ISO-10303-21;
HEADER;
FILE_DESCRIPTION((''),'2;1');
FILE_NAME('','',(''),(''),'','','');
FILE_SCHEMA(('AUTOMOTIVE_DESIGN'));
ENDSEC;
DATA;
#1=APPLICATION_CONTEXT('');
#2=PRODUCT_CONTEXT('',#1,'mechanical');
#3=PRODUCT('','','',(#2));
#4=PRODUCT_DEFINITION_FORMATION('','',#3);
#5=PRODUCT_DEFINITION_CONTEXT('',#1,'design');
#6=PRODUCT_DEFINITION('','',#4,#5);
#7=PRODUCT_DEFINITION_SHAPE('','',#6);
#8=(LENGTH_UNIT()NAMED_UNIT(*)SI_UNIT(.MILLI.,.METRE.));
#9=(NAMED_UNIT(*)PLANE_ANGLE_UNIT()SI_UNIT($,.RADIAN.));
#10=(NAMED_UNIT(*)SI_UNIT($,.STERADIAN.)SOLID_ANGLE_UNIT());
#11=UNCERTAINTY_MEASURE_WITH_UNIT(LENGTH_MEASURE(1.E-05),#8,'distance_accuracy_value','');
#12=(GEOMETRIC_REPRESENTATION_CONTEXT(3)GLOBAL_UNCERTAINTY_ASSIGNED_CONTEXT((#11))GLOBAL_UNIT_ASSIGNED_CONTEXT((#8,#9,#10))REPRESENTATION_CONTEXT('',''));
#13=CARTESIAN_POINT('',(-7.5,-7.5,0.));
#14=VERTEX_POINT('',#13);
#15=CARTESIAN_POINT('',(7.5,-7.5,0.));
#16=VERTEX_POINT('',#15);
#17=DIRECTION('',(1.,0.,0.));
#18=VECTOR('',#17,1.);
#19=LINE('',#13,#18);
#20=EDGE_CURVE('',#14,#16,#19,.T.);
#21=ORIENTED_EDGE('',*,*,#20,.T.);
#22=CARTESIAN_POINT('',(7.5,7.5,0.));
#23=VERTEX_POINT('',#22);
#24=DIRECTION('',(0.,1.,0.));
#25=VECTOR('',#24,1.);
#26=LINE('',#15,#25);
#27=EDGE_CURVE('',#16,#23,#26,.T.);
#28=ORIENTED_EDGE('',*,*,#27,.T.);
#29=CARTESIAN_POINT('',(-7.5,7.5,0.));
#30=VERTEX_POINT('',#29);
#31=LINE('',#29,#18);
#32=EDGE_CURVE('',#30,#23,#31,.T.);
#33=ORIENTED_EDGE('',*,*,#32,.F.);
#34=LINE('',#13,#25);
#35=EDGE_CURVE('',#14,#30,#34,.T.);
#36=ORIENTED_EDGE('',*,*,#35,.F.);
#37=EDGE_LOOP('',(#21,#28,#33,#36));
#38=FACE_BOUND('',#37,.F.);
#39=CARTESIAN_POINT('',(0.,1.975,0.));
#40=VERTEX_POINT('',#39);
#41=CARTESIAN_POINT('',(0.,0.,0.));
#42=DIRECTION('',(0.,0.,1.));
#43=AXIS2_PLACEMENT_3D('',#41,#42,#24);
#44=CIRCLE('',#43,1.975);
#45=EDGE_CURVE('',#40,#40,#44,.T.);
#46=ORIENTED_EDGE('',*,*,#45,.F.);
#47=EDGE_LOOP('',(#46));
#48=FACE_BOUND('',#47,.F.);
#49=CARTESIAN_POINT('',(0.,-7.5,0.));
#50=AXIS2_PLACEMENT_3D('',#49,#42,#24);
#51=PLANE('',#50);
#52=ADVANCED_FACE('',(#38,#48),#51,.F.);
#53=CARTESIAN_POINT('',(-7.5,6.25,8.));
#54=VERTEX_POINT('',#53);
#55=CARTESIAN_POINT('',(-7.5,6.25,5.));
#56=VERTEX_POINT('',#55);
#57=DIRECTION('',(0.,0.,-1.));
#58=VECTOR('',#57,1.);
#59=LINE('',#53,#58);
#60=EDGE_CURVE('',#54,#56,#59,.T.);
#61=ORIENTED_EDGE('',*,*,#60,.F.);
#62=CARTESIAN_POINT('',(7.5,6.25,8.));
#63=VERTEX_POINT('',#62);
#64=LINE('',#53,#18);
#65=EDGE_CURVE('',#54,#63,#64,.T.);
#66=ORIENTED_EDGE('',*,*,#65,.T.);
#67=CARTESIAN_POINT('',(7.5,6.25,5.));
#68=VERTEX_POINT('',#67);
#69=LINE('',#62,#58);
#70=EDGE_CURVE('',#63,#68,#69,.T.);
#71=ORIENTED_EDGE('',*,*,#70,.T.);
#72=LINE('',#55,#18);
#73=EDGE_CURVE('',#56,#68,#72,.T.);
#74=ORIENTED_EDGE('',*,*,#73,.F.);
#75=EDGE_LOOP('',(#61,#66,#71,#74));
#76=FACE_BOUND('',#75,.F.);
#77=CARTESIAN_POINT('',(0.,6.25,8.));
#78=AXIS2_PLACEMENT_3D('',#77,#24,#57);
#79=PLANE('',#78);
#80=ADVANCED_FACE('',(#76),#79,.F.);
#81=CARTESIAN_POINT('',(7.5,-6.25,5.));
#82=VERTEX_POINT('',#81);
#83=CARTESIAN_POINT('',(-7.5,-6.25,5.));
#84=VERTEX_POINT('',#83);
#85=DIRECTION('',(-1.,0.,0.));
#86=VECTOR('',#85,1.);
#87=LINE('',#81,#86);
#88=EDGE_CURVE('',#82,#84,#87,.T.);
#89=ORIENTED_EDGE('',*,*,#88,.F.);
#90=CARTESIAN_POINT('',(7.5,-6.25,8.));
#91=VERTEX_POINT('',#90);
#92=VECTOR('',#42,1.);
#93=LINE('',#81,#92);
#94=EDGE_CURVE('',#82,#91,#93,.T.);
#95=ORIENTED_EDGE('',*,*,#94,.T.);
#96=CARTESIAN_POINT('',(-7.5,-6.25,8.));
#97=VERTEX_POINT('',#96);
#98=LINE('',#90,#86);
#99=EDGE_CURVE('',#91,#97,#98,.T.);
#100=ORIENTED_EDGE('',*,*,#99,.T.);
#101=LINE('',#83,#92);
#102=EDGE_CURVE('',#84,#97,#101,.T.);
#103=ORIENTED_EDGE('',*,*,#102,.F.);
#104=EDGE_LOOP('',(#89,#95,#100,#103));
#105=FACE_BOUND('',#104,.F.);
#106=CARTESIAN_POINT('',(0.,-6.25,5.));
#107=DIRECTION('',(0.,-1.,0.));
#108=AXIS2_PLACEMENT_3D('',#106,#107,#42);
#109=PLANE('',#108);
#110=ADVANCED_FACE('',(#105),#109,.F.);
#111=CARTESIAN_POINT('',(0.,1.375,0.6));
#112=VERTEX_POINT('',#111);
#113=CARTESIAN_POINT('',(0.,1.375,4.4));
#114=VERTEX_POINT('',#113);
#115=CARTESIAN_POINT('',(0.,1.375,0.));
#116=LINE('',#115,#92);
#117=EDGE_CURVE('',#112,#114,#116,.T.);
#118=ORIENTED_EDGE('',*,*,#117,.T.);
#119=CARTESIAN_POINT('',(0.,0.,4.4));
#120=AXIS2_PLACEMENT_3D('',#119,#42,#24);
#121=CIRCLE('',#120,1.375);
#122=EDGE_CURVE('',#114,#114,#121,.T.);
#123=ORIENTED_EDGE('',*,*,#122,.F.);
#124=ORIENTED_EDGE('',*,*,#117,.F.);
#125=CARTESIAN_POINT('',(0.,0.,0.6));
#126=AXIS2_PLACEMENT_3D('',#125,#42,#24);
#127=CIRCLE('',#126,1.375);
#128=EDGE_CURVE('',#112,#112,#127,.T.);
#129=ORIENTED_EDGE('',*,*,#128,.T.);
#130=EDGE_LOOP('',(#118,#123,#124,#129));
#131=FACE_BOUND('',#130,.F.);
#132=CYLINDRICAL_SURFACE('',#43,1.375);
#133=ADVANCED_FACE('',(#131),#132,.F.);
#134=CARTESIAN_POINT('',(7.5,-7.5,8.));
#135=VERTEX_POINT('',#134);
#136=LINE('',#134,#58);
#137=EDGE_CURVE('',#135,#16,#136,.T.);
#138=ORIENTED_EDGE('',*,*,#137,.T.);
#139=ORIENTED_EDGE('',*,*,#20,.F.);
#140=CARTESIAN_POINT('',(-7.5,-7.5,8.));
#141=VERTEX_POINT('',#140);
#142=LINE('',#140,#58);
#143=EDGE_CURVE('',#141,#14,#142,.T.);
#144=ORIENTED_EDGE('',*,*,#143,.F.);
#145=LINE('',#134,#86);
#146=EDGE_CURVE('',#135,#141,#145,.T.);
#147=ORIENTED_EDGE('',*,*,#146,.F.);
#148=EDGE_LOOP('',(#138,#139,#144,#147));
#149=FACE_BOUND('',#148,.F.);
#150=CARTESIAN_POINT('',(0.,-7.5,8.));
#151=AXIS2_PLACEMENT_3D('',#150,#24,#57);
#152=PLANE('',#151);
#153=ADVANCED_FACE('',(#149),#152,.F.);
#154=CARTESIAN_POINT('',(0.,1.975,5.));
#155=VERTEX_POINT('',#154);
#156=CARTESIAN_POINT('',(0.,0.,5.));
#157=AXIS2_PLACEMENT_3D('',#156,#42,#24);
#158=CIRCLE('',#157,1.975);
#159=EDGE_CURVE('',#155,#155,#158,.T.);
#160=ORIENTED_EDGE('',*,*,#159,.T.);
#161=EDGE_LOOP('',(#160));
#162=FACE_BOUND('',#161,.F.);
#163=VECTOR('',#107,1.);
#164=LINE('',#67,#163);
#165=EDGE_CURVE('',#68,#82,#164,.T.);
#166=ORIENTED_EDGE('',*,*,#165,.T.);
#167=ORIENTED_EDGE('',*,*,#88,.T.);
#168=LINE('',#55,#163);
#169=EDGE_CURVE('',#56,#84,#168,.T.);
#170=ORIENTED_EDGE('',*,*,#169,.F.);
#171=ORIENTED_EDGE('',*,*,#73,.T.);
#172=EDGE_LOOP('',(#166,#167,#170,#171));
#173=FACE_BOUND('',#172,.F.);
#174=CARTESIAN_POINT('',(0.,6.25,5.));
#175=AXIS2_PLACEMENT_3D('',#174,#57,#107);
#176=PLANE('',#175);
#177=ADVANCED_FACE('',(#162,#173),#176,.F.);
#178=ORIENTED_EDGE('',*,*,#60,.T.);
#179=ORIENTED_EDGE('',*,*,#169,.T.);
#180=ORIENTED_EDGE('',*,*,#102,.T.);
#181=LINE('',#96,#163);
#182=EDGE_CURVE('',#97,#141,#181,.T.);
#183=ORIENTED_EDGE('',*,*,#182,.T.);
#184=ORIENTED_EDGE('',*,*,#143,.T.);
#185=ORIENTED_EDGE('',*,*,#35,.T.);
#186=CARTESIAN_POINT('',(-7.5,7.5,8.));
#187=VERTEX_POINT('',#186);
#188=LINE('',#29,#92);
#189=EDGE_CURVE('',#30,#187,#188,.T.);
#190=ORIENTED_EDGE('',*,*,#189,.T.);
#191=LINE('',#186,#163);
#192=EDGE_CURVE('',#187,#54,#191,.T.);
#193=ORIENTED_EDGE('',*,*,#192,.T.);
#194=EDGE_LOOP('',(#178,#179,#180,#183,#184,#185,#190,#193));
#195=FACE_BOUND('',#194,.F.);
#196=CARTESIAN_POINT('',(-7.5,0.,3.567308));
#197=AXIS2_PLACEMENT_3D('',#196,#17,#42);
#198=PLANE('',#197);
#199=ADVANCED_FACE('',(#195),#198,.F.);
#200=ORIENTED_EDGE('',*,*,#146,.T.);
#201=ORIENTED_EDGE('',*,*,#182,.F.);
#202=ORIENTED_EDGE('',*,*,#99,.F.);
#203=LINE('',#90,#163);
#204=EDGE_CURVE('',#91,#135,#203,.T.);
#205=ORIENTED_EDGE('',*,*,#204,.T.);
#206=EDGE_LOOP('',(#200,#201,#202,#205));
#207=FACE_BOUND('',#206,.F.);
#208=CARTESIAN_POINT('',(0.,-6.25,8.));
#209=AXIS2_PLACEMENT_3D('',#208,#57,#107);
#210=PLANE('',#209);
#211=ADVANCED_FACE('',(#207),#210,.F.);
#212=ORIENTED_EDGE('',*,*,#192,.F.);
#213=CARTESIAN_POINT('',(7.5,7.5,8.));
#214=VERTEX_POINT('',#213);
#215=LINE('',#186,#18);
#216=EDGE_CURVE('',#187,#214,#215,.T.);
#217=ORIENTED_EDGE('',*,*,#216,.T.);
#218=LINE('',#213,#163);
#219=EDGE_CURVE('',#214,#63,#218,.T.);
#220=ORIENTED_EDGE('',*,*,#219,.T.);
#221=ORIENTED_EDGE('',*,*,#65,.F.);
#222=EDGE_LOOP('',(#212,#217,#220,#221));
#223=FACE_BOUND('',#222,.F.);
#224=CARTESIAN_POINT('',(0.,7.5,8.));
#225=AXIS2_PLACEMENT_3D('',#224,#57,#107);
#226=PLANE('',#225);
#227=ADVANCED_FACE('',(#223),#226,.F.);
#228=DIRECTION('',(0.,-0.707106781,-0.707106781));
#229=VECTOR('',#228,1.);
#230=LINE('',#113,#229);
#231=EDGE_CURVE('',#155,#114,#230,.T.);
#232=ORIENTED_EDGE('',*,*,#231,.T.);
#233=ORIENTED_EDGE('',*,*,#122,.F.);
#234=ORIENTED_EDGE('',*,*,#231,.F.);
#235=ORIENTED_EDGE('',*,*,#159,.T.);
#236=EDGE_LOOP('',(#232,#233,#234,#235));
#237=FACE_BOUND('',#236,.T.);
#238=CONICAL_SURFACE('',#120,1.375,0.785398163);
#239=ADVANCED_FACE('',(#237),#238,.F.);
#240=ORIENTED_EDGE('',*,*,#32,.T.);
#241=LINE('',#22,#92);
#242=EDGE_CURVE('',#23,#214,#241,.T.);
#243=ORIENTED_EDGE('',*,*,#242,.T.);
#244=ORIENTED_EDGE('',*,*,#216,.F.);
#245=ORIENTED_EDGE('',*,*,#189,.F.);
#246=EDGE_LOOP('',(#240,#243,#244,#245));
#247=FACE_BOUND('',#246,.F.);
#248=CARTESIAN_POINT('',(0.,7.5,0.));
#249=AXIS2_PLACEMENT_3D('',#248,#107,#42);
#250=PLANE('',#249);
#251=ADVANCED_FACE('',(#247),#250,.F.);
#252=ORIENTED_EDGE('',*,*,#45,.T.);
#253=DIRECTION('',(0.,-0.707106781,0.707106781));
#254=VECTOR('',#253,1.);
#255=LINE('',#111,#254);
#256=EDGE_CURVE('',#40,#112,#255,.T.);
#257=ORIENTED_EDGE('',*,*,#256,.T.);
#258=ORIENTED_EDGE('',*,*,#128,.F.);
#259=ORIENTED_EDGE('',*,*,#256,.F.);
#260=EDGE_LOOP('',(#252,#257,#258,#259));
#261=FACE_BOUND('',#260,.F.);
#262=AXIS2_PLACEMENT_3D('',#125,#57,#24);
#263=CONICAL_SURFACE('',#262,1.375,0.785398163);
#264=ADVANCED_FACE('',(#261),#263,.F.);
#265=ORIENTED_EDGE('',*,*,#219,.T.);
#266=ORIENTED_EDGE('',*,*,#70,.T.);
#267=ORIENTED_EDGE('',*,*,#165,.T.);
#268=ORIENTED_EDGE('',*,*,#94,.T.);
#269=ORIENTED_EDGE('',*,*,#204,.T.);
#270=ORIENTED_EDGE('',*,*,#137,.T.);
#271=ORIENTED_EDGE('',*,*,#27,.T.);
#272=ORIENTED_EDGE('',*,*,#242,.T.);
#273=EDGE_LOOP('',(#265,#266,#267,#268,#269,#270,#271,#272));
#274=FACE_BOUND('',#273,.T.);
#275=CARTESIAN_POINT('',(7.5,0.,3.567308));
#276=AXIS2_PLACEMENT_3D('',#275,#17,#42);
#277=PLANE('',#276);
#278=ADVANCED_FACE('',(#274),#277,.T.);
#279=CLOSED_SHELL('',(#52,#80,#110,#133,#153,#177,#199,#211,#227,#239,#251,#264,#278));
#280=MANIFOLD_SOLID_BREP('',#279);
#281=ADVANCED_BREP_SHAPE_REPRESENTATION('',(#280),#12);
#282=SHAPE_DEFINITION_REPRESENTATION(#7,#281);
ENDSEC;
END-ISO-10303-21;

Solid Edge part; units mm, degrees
sketch "Sketch1" plane through (0, 0, 0) normal (1, 0, 0) x (0, 1, 0)
  line L0 (-7.5, 8) -> (-7.5, 0)
  line L1 (-7.5, 0) -> (7.5, 0)
  line L2 (7.5, 0) -> (7.5, 8)
  line L3 (7.5, 8) -> (6.25, 8)
  line L4 (6.25, 8) -> (6.25, 5)
  line L5 (6.25, 5) -> (-6.25, 5)
  line L6 (-6.25, 5) -> (-6.25, 8)
  line L7 (-6.25, 8) -> (-7.5, 8)
  dimension "D1" = 12.5
  dimension "D2" = 15
  dimension "D3" = 8
  dimension "D4" = 3
extrude "Protrusion1" add sketch "Sketch1" along normal mid plane 15
hole "screw_hole" at (0, 0, 0) direction (0, 0, 1) diameter 2.75 depth 30 tip angle 118 start chamfer 0.6 start chamfer angle 45 end chamfer 0.6 end chamfer angle 45
properties material "Polyethylene, low density"
